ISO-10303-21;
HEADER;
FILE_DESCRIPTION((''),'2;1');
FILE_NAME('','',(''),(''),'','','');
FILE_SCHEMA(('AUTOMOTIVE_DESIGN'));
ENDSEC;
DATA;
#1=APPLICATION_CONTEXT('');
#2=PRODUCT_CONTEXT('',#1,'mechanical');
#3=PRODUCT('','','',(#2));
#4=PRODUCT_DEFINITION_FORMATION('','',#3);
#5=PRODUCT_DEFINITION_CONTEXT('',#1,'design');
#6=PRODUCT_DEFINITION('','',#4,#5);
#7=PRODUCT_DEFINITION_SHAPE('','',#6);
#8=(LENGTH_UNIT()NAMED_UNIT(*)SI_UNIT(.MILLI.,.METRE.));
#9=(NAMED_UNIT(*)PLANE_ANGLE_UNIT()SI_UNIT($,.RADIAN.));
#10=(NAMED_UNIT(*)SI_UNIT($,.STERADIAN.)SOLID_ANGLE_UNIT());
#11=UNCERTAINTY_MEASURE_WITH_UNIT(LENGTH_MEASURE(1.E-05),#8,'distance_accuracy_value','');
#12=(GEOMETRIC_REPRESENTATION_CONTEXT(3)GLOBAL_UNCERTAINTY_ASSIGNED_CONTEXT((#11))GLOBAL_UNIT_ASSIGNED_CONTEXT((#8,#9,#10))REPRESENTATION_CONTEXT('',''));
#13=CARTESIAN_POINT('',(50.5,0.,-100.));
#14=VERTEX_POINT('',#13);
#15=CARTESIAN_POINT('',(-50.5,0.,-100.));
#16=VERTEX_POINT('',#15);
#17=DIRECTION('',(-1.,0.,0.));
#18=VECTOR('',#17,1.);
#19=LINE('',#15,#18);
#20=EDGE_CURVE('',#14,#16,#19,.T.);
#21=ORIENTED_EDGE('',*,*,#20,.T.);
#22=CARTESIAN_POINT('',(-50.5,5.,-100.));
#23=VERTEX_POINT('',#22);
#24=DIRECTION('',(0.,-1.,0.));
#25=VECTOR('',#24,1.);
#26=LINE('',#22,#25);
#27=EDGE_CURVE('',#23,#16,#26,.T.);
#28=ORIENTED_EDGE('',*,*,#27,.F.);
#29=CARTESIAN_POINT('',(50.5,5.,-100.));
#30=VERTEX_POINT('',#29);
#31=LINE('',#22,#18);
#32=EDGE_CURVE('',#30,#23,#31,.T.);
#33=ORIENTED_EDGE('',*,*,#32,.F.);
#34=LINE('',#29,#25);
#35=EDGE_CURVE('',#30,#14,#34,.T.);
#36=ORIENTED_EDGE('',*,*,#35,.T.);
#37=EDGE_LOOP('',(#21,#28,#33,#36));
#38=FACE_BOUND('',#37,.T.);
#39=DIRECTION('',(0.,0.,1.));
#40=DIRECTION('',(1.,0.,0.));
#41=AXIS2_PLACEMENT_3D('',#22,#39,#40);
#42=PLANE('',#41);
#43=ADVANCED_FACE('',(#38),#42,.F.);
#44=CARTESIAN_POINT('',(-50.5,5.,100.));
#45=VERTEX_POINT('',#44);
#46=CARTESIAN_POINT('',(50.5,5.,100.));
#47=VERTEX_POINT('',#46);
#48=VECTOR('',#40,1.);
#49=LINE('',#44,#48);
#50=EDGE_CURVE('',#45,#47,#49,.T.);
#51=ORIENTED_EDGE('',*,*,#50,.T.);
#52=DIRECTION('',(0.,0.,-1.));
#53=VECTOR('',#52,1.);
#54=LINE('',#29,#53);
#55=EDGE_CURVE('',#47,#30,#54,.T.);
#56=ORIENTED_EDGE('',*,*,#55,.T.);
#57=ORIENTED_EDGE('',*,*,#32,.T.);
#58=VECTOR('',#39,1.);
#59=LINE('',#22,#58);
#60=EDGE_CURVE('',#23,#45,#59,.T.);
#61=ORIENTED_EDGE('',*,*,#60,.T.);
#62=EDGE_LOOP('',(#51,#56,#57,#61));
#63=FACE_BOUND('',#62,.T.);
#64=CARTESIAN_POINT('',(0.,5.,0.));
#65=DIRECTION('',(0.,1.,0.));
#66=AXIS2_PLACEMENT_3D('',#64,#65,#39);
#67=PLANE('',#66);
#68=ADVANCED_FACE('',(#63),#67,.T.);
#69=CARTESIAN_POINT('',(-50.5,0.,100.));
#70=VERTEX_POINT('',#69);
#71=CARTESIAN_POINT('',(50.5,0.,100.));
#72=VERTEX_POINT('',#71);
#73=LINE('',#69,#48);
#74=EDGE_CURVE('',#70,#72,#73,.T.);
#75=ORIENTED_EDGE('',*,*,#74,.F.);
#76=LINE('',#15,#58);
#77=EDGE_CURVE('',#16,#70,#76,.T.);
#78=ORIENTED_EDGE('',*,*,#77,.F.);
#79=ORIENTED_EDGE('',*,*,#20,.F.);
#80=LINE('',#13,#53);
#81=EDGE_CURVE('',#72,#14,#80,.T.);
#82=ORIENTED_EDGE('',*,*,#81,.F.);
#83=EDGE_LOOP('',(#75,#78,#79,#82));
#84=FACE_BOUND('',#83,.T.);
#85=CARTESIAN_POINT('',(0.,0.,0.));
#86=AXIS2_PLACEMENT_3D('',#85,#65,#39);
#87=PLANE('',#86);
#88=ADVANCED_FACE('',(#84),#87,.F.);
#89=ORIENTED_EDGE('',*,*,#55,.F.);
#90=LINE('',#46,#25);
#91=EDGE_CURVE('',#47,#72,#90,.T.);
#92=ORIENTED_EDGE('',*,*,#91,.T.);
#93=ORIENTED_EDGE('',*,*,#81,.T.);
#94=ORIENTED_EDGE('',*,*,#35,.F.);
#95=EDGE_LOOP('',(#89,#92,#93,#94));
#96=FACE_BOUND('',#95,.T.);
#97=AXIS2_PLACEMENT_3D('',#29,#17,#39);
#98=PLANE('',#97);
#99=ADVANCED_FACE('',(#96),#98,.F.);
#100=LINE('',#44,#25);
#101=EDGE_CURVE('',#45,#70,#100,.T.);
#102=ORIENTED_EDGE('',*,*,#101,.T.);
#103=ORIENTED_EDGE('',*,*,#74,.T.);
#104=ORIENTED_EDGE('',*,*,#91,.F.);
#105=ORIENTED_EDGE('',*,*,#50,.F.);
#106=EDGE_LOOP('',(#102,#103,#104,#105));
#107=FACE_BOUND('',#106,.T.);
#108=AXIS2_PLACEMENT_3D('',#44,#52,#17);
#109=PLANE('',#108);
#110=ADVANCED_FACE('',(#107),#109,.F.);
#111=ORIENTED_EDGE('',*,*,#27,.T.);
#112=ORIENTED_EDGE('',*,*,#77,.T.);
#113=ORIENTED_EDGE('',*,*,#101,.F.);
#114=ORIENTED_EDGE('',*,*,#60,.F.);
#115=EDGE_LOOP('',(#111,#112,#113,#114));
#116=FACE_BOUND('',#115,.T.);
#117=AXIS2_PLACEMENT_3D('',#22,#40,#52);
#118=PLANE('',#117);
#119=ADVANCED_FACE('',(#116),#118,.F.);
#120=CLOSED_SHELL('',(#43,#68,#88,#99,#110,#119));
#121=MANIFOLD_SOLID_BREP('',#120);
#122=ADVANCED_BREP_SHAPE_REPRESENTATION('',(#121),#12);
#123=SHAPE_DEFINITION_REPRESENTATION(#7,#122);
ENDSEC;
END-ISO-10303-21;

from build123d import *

# Parameters (mm, degrees)
SKETCH_1_W      = 101
SKETCH_1_H      = 200
EXTRUDE_1_DEPTH = 5


with BuildPart() as part:
    # 스케치1 → 보스-돌출1 (new body)
    with BuildSketch(Plane(origin=(0, 0, 0), x_dir=(1, 0, 0), z_dir=(0, 1, 0))):
        Rectangle(SKETCH_1_W, SKETCH_1_H)
    extrude(amount=EXTRUDE_1_DEPTH)


solid = part.part
